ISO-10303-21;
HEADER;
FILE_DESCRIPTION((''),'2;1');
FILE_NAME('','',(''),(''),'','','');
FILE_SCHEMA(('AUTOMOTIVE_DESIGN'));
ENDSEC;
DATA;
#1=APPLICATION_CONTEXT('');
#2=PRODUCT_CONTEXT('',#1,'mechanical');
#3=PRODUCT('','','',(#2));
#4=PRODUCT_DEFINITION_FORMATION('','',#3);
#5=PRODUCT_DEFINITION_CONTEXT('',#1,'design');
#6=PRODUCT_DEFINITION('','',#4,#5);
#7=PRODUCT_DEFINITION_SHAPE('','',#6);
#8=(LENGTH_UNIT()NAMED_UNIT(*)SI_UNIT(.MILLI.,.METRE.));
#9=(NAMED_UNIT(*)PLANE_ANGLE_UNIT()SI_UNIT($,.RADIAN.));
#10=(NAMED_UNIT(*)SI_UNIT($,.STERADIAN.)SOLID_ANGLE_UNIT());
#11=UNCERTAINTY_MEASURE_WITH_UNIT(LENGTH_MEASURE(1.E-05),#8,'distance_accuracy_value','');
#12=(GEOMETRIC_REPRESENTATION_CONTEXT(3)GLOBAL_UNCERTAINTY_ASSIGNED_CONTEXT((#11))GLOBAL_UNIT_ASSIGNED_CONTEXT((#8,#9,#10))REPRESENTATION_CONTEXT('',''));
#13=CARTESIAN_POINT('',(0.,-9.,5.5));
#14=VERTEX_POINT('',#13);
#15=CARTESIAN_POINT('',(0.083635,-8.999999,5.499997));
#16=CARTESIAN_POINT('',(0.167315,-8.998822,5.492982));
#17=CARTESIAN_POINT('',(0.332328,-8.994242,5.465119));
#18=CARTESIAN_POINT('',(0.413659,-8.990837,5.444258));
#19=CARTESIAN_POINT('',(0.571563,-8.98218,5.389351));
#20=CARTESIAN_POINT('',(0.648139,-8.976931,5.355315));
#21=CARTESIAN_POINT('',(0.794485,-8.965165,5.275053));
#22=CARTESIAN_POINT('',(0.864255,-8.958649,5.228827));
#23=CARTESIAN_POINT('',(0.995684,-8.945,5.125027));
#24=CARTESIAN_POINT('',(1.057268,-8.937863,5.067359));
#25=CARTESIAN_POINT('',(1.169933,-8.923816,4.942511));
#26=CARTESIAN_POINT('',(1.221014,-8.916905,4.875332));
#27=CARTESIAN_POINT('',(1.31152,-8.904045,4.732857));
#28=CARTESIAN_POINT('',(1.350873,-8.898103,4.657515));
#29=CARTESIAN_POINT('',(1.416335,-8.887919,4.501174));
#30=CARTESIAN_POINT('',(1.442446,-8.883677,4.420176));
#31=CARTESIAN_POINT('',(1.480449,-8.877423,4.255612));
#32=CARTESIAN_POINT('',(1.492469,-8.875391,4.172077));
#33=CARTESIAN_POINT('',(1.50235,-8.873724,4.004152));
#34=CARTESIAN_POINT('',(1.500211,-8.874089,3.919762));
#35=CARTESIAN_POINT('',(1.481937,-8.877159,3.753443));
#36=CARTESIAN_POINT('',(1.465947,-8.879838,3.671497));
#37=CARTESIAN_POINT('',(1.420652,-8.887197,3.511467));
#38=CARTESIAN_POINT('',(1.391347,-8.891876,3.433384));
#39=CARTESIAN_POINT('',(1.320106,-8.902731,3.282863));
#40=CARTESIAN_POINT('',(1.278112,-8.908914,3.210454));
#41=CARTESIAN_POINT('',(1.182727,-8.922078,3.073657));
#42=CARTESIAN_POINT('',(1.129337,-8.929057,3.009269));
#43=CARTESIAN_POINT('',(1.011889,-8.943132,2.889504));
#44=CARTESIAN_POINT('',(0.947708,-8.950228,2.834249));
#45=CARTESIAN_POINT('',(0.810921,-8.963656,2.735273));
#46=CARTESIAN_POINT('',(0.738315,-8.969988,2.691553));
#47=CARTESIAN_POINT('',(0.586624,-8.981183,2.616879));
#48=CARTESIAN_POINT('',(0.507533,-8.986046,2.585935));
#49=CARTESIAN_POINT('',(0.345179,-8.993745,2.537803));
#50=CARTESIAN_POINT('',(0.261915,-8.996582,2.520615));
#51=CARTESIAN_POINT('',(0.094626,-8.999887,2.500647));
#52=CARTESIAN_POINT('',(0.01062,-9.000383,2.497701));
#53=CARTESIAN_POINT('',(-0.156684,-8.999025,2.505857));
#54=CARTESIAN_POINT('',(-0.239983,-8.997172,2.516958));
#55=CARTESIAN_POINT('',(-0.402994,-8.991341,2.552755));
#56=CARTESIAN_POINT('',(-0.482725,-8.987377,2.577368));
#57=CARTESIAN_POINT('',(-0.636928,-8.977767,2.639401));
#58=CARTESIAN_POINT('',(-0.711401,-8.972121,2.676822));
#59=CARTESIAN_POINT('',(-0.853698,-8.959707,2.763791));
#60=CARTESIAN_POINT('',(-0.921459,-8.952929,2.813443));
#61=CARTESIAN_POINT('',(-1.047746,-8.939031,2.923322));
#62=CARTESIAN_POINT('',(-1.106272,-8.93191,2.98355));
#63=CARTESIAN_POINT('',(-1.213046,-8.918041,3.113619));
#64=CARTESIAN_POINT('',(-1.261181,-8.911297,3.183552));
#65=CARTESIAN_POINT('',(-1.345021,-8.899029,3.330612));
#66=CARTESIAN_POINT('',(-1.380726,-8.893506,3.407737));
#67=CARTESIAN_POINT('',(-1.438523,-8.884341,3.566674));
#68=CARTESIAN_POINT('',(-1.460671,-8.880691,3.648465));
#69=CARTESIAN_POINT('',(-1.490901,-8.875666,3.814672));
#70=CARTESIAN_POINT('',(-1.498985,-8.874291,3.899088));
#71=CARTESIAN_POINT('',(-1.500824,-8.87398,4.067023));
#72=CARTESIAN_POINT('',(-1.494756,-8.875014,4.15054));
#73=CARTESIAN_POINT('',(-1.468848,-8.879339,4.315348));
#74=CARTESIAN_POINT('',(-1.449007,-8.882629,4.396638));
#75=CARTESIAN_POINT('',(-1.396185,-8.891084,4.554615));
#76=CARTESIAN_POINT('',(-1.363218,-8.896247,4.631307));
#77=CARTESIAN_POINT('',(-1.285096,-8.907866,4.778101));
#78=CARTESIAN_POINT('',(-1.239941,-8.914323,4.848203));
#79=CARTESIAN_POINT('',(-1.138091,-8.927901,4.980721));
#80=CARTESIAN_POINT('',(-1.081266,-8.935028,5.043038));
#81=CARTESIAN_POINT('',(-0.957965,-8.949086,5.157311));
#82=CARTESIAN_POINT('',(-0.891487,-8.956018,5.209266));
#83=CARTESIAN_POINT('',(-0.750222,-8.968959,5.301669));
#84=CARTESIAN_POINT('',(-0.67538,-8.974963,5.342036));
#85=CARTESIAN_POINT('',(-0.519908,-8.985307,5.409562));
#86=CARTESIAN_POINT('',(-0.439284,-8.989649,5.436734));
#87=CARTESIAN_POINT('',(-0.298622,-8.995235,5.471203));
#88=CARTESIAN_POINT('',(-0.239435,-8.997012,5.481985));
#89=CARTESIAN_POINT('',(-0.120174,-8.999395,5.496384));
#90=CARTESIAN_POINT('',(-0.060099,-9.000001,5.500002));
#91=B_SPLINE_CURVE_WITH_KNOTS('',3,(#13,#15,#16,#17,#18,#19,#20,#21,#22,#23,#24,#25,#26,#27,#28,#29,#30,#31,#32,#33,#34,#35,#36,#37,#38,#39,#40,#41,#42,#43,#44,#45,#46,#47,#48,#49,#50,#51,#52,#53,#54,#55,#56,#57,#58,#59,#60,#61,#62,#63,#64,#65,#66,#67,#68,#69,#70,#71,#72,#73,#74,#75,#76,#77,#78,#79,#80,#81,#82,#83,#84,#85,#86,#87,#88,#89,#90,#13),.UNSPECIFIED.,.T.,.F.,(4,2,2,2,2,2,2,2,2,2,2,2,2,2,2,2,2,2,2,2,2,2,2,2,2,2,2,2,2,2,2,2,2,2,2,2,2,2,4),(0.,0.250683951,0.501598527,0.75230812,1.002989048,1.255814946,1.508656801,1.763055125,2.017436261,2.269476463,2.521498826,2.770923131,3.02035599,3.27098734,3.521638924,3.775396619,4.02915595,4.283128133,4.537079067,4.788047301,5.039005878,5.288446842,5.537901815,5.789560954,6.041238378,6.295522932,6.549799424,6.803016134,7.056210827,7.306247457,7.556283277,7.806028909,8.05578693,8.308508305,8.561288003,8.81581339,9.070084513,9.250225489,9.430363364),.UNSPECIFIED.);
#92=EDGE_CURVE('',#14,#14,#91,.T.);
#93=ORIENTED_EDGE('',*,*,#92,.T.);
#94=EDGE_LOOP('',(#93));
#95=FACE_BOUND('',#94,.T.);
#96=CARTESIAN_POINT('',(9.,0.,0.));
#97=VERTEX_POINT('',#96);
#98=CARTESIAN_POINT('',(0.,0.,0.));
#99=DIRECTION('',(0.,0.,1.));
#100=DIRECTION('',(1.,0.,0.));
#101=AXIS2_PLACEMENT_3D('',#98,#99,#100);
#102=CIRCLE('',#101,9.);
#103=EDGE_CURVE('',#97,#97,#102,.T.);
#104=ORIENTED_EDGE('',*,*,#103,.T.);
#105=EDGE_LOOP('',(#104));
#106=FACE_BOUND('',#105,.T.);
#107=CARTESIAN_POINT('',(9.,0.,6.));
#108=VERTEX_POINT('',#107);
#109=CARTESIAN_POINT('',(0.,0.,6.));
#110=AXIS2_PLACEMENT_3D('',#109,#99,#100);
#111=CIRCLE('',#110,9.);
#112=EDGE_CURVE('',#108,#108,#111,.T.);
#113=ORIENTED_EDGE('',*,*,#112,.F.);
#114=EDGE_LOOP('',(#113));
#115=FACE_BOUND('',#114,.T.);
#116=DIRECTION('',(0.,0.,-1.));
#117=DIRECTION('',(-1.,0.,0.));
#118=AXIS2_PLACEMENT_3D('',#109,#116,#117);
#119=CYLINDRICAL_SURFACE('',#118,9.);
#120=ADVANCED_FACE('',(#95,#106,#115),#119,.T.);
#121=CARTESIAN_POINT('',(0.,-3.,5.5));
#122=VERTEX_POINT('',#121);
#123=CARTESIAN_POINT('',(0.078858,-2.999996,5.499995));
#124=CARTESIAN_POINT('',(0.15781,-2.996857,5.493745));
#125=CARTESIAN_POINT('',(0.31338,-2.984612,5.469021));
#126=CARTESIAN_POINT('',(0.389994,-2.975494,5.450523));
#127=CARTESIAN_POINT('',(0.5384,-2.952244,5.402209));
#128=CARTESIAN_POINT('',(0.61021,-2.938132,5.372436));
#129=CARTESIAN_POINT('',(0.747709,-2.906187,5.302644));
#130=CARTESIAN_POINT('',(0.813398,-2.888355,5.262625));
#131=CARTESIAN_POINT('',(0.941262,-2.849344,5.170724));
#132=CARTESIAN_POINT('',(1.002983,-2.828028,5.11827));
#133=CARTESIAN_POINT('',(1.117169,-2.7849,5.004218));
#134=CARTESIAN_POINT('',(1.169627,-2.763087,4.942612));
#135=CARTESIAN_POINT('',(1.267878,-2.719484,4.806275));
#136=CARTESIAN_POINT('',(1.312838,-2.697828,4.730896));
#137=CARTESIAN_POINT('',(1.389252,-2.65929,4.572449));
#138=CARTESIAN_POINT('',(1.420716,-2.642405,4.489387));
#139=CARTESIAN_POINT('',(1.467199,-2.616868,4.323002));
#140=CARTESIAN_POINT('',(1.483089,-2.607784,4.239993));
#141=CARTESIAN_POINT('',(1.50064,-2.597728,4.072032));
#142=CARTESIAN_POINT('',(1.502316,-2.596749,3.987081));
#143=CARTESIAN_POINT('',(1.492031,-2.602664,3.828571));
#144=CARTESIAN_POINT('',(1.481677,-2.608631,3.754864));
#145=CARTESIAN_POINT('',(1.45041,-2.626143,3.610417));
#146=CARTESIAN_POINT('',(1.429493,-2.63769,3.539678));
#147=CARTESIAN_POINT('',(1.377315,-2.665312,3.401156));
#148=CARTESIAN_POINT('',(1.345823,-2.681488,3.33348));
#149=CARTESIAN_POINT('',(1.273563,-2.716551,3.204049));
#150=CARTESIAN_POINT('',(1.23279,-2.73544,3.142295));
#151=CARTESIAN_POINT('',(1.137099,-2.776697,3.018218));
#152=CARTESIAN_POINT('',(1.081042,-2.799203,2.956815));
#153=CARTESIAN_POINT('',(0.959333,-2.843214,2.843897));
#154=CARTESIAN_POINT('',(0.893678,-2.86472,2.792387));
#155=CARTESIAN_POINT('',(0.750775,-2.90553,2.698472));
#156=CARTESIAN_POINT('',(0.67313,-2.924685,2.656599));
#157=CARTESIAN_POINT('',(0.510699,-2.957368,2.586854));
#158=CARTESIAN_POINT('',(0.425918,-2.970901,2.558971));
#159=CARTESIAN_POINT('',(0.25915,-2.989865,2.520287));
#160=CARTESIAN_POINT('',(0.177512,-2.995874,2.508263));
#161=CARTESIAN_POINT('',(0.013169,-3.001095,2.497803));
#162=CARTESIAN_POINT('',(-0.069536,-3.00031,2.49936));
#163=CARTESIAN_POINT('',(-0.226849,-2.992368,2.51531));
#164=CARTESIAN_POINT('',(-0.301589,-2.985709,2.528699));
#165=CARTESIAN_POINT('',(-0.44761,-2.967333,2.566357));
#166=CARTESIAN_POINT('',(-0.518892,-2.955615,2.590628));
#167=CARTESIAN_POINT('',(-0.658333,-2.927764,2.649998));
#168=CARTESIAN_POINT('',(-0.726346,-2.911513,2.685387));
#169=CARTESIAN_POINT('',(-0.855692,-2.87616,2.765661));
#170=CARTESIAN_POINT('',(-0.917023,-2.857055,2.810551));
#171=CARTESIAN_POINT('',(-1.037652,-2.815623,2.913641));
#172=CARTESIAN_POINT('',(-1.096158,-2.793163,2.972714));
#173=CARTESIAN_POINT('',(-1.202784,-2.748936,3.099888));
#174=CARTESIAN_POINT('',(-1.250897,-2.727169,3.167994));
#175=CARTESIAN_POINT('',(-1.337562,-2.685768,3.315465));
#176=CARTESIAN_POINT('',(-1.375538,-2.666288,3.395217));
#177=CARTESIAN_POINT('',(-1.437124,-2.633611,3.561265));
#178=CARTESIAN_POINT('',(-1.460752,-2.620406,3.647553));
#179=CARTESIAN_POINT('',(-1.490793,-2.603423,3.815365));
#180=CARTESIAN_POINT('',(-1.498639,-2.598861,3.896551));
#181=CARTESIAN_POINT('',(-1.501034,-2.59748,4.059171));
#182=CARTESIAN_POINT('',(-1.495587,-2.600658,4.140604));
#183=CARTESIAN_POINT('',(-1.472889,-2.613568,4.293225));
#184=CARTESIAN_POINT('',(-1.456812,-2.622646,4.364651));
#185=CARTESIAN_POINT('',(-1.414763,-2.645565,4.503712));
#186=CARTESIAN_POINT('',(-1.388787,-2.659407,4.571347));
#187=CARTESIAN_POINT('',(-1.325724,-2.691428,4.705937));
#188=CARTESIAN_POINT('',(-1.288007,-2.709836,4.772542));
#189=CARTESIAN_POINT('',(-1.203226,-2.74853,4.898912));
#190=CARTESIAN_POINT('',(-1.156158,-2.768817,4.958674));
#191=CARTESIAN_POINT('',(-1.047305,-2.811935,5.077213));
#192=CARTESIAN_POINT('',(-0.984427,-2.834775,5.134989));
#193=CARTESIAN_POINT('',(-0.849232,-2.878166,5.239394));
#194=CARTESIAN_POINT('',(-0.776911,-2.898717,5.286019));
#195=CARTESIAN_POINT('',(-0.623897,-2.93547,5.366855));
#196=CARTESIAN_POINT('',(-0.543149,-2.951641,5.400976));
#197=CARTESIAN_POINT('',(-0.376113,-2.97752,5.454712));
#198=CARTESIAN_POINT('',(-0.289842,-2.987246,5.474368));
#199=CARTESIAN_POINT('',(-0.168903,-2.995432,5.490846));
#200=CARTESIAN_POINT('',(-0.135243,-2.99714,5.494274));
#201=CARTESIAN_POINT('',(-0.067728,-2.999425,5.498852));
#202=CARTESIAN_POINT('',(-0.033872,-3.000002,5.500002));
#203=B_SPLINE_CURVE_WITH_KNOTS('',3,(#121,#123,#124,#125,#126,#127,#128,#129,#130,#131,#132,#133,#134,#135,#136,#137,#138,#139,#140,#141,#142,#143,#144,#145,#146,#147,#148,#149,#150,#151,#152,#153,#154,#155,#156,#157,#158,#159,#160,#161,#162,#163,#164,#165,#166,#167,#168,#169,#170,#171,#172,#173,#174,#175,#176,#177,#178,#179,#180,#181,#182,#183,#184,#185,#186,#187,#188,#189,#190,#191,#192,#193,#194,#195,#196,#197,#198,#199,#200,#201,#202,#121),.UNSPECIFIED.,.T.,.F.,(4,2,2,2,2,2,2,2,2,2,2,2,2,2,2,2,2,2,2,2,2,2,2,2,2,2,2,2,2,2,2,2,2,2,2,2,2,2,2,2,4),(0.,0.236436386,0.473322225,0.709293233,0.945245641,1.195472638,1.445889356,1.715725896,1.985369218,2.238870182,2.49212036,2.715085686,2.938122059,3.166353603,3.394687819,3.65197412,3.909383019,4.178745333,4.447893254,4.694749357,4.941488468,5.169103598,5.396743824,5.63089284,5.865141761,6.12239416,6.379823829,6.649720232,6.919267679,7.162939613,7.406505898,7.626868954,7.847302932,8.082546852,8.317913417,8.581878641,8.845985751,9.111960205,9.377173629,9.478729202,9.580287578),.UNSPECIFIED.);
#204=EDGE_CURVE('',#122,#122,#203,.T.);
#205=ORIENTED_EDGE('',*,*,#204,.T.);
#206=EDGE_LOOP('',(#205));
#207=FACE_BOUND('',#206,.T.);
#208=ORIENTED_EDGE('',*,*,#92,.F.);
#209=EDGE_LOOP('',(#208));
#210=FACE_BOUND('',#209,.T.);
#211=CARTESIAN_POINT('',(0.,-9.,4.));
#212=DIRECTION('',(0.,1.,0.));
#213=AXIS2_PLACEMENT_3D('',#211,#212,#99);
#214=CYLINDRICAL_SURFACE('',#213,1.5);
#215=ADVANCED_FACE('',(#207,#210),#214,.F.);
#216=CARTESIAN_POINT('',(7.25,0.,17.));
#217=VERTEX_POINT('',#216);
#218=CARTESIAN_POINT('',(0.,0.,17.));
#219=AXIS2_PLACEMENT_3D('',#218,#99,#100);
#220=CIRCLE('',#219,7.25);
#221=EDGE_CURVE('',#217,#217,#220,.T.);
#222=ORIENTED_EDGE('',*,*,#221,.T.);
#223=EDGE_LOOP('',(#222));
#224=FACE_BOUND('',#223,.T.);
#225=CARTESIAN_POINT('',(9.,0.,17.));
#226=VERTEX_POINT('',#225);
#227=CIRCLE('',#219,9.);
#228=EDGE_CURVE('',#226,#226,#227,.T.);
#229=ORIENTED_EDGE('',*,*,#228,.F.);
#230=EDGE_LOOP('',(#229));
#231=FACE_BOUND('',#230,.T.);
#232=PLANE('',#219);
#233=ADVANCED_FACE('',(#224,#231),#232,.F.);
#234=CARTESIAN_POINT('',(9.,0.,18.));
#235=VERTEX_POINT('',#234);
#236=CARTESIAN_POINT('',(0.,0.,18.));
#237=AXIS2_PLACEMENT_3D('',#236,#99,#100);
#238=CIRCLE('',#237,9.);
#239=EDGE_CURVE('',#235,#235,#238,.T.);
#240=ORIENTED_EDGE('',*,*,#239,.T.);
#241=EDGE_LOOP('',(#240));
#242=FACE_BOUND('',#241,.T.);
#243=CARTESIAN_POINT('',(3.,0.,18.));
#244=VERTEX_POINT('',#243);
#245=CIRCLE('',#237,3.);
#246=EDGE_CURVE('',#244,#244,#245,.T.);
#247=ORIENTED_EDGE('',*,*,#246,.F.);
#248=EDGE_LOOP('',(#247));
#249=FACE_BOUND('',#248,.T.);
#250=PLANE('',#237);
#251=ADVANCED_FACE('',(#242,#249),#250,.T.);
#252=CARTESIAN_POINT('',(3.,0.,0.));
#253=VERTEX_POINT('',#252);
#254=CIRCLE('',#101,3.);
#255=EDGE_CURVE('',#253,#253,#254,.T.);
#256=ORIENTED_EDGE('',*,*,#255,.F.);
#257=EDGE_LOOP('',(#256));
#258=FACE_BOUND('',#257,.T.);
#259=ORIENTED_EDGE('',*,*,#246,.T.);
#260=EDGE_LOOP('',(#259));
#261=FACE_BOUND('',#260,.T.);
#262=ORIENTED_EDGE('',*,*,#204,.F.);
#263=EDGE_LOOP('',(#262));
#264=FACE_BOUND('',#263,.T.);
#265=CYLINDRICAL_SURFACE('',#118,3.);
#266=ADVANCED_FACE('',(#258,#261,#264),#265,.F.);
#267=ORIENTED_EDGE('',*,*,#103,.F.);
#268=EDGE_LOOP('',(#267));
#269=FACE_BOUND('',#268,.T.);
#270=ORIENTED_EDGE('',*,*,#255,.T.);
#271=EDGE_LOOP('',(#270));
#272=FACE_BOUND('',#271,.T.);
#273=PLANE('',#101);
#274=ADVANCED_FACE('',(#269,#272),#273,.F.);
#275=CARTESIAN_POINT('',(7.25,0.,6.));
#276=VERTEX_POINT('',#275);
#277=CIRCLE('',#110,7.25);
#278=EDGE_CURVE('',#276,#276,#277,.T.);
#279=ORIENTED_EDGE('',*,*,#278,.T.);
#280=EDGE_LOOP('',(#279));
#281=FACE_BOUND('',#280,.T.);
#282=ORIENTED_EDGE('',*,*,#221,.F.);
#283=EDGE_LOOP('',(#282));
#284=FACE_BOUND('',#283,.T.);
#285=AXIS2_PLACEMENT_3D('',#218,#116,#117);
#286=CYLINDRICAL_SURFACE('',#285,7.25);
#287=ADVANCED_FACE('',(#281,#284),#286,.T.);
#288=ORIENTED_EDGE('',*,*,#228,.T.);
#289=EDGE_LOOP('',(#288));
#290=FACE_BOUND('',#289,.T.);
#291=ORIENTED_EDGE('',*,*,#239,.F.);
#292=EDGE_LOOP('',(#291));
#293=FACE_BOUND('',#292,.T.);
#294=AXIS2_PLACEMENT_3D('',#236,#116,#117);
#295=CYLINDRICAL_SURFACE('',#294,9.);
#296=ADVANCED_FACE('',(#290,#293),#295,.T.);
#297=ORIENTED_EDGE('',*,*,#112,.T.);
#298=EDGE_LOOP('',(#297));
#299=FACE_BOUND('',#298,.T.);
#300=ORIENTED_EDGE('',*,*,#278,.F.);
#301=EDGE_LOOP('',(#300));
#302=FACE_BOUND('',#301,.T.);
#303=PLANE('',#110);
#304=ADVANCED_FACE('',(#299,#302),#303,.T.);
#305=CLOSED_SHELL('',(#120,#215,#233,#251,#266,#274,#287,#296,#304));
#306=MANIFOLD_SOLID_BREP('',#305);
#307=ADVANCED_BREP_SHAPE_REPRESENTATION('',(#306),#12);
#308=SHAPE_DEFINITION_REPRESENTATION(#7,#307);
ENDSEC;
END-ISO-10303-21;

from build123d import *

# Parameters (mm, degrees)
SKETCH1_R           = 9
SKETCH1_R_2         = 3
BOSS_EXTRUDE1_DEPTH = 6
SKETCH2_R           = 7.25
SKETCH2_R_2         = 3
BOSS_EXTRUDE2_DEPTH = 11
SKETCH3_R           = 9
SKETCH3_R_2         = 3
BOSS_EXTRUDE3_DEPTH = 1
SKETCH4_R           = 1.5
CUT_EXTRUDE1_DEPTH  = 10


with BuildPart() as part:
    # Sketch1 → Boss-Extrude1 (new body)
    with BuildSketch(Plane.XY):
        Circle(SKETCH1_R)
        Circle(SKETCH1_R_2, mode=Mode.SUBTRACT)
    extrude(amount=BOSS_EXTRUDE1_DEPTH)

    # Sketch2 → Boss-Extrude2 (add)
    with BuildSketch(Plane.XY.offset(6)):
        Circle(SKETCH2_R)
        Circle(SKETCH2_R_2, mode=Mode.SUBTRACT)
    extrude(amount=BOSS_EXTRUDE2_DEPTH)

    # Sketch3 → Boss-Extrude3 (add)
    with BuildSketch(Plane.XY.offset(17)):
        Circle(SKETCH3_R)
        Circle(SKETCH3_R_2, mode=Mode.SUBTRACT)
    extrude(amount=BOSS_EXTRUDE3_DEPTH)

    # Sketch4 → Cut-Extrude1 (cut, through all)
    with BuildSketch(Plane(origin=(0, 0, 0), x_dir=(1, 0, 0), z_dir=(0, 1, 0))):
        with Locations((0, -4)):
            Circle(SKETCH4_R)
    extrude(amount=-CUT_EXTRUDE1_DEPTH, mode=Mode.SUBTRACT)


solid = part.part
